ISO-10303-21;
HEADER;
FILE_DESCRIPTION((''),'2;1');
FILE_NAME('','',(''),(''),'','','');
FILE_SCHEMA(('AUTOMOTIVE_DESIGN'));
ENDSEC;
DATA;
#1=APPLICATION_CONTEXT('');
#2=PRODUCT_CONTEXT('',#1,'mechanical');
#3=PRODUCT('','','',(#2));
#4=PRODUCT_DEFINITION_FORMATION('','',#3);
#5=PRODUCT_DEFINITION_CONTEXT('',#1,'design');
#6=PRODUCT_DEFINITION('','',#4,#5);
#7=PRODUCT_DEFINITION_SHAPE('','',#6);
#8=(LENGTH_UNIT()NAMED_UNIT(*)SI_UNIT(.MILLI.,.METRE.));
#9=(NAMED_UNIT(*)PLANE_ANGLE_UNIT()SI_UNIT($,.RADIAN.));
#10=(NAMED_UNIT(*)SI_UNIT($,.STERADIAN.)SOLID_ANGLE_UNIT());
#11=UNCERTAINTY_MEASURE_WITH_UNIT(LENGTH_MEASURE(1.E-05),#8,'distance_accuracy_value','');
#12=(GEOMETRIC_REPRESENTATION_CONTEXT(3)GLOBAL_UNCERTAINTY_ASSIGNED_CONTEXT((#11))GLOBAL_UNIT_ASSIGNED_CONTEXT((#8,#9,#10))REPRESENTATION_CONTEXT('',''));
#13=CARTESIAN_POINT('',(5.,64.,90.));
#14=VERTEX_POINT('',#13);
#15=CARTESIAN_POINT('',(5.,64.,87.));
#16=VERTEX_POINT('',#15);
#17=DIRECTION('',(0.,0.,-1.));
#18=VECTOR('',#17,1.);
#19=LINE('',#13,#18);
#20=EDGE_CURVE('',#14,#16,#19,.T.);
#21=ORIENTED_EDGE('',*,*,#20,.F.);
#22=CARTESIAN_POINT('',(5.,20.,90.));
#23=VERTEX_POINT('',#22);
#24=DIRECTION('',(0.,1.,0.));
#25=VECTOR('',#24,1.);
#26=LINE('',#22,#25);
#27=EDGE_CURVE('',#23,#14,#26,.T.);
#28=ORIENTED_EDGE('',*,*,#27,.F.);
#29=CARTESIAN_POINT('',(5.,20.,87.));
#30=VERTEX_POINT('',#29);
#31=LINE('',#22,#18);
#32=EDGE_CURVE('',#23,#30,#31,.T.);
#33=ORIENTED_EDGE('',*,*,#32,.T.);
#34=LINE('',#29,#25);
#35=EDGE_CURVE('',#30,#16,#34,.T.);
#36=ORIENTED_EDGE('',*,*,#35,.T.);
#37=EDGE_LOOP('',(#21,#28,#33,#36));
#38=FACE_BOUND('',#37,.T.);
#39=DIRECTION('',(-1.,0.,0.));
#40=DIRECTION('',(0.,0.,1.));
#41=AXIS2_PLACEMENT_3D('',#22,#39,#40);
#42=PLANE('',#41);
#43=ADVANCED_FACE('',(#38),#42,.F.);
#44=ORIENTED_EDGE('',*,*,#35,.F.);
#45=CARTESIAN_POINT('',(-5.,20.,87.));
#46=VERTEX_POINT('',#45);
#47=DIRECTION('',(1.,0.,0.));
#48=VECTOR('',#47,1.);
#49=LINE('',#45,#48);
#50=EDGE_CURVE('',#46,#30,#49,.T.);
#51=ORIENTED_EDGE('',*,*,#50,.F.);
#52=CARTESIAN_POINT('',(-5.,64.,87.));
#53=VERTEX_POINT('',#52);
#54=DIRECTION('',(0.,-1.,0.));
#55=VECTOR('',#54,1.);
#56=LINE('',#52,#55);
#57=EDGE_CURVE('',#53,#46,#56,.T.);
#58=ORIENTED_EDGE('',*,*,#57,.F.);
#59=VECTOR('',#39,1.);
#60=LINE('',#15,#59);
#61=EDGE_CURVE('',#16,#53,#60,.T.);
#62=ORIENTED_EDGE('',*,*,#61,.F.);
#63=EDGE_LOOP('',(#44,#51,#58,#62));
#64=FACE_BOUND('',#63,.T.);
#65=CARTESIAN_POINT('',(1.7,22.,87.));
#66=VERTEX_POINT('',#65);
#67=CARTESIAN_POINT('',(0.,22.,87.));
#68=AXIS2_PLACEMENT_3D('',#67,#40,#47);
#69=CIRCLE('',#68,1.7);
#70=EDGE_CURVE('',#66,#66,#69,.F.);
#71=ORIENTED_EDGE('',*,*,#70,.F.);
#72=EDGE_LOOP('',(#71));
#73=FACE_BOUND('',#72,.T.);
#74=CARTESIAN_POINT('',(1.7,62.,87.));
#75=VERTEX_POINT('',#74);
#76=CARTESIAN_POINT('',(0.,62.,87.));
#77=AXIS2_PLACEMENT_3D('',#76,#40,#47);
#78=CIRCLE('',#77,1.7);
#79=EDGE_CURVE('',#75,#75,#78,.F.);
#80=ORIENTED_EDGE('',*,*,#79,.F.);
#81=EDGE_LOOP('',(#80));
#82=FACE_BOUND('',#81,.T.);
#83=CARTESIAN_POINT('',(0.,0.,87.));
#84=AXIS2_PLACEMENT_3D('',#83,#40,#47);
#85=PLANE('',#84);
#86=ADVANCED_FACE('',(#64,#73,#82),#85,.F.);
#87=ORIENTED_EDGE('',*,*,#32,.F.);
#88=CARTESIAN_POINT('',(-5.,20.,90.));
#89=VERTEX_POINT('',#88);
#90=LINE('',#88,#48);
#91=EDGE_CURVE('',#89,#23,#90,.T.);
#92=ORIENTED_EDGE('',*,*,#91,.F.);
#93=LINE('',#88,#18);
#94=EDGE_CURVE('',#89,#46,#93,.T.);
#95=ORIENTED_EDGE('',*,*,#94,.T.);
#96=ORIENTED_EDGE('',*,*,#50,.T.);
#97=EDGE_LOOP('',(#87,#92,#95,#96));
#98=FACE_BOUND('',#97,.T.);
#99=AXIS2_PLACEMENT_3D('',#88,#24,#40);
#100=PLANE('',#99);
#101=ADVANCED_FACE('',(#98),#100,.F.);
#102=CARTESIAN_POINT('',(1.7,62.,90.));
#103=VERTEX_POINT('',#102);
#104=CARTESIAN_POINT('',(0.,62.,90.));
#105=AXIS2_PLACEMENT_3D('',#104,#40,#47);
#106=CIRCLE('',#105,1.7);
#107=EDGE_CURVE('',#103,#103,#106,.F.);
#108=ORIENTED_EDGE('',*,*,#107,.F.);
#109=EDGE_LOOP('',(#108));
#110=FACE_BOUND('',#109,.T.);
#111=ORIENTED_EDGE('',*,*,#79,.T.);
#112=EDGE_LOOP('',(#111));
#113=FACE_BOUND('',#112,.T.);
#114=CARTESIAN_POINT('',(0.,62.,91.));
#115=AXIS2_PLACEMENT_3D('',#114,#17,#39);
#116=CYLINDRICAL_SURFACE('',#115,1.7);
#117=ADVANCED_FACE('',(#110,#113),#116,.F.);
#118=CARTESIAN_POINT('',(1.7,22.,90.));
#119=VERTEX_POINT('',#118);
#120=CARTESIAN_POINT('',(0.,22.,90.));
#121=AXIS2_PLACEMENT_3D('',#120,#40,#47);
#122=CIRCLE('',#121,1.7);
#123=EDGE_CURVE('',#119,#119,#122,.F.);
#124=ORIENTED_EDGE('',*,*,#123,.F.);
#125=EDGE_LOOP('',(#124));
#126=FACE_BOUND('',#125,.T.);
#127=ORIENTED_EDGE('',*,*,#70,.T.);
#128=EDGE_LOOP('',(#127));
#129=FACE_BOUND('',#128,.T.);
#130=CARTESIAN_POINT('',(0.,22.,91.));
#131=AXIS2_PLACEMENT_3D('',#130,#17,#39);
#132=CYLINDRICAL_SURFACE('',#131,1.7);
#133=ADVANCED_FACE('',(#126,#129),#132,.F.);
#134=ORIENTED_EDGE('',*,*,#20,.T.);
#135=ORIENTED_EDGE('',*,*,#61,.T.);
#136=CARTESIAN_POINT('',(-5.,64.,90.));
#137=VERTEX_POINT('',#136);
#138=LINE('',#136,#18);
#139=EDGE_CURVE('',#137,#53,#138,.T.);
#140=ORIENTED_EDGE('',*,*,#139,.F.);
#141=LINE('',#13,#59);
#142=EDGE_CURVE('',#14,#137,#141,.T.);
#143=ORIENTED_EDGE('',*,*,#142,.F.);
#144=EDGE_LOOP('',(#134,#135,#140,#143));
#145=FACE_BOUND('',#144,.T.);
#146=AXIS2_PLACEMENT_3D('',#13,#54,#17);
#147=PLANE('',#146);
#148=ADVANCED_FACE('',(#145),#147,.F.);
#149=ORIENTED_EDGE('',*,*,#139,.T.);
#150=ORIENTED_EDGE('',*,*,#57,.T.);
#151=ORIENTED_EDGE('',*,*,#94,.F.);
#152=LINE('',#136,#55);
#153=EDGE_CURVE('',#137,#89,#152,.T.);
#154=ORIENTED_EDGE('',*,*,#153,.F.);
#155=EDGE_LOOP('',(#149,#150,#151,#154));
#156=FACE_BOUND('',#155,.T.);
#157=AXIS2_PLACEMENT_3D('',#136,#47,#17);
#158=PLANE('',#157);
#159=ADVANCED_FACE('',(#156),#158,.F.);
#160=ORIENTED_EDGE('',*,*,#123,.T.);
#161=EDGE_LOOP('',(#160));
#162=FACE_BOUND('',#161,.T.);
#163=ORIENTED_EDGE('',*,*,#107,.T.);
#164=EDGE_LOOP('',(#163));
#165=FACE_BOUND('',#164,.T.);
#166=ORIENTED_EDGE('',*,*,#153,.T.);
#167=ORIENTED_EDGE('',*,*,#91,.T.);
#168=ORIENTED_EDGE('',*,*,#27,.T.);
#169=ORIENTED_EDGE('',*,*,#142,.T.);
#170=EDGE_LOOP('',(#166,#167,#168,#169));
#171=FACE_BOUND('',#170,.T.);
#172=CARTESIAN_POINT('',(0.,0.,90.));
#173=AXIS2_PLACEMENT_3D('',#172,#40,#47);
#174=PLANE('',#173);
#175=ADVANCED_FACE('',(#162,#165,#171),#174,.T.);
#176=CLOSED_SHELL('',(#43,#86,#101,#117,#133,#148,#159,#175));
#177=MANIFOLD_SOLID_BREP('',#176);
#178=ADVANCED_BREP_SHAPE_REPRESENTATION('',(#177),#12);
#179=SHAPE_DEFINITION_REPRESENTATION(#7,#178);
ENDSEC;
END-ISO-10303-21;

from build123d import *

# Parameters (mm, degrees)
SKETCH1_W      = 10
SKETCH1_H      = 44
BAR_DEPTH      = 3
SKETCH2_R      = 1.7
M3_HOLES_DEPTH = 5


with BuildPart() as part:
    # Sketch1 → Bar (new body)
    with BuildSketch(Plane.XY.offset(87)):
        with Locations((0, 42)):
            Rectangle(SKETCH1_W, SKETCH1_H)
    extrude(amount=BAR_DEPTH)

    # Sketch2 → M3_holes (cut)
    with BuildSketch(Plane.XY.offset(86)):
        with Locations((0, 62)):
            Circle(SKETCH2_R)
        with Locations((0, 22)):
            Circle(SKETCH2_R)
    extrude(amount=M3_HOLES_DEPTH, mode=Mode.SUBTRACT)


solid = part.part
